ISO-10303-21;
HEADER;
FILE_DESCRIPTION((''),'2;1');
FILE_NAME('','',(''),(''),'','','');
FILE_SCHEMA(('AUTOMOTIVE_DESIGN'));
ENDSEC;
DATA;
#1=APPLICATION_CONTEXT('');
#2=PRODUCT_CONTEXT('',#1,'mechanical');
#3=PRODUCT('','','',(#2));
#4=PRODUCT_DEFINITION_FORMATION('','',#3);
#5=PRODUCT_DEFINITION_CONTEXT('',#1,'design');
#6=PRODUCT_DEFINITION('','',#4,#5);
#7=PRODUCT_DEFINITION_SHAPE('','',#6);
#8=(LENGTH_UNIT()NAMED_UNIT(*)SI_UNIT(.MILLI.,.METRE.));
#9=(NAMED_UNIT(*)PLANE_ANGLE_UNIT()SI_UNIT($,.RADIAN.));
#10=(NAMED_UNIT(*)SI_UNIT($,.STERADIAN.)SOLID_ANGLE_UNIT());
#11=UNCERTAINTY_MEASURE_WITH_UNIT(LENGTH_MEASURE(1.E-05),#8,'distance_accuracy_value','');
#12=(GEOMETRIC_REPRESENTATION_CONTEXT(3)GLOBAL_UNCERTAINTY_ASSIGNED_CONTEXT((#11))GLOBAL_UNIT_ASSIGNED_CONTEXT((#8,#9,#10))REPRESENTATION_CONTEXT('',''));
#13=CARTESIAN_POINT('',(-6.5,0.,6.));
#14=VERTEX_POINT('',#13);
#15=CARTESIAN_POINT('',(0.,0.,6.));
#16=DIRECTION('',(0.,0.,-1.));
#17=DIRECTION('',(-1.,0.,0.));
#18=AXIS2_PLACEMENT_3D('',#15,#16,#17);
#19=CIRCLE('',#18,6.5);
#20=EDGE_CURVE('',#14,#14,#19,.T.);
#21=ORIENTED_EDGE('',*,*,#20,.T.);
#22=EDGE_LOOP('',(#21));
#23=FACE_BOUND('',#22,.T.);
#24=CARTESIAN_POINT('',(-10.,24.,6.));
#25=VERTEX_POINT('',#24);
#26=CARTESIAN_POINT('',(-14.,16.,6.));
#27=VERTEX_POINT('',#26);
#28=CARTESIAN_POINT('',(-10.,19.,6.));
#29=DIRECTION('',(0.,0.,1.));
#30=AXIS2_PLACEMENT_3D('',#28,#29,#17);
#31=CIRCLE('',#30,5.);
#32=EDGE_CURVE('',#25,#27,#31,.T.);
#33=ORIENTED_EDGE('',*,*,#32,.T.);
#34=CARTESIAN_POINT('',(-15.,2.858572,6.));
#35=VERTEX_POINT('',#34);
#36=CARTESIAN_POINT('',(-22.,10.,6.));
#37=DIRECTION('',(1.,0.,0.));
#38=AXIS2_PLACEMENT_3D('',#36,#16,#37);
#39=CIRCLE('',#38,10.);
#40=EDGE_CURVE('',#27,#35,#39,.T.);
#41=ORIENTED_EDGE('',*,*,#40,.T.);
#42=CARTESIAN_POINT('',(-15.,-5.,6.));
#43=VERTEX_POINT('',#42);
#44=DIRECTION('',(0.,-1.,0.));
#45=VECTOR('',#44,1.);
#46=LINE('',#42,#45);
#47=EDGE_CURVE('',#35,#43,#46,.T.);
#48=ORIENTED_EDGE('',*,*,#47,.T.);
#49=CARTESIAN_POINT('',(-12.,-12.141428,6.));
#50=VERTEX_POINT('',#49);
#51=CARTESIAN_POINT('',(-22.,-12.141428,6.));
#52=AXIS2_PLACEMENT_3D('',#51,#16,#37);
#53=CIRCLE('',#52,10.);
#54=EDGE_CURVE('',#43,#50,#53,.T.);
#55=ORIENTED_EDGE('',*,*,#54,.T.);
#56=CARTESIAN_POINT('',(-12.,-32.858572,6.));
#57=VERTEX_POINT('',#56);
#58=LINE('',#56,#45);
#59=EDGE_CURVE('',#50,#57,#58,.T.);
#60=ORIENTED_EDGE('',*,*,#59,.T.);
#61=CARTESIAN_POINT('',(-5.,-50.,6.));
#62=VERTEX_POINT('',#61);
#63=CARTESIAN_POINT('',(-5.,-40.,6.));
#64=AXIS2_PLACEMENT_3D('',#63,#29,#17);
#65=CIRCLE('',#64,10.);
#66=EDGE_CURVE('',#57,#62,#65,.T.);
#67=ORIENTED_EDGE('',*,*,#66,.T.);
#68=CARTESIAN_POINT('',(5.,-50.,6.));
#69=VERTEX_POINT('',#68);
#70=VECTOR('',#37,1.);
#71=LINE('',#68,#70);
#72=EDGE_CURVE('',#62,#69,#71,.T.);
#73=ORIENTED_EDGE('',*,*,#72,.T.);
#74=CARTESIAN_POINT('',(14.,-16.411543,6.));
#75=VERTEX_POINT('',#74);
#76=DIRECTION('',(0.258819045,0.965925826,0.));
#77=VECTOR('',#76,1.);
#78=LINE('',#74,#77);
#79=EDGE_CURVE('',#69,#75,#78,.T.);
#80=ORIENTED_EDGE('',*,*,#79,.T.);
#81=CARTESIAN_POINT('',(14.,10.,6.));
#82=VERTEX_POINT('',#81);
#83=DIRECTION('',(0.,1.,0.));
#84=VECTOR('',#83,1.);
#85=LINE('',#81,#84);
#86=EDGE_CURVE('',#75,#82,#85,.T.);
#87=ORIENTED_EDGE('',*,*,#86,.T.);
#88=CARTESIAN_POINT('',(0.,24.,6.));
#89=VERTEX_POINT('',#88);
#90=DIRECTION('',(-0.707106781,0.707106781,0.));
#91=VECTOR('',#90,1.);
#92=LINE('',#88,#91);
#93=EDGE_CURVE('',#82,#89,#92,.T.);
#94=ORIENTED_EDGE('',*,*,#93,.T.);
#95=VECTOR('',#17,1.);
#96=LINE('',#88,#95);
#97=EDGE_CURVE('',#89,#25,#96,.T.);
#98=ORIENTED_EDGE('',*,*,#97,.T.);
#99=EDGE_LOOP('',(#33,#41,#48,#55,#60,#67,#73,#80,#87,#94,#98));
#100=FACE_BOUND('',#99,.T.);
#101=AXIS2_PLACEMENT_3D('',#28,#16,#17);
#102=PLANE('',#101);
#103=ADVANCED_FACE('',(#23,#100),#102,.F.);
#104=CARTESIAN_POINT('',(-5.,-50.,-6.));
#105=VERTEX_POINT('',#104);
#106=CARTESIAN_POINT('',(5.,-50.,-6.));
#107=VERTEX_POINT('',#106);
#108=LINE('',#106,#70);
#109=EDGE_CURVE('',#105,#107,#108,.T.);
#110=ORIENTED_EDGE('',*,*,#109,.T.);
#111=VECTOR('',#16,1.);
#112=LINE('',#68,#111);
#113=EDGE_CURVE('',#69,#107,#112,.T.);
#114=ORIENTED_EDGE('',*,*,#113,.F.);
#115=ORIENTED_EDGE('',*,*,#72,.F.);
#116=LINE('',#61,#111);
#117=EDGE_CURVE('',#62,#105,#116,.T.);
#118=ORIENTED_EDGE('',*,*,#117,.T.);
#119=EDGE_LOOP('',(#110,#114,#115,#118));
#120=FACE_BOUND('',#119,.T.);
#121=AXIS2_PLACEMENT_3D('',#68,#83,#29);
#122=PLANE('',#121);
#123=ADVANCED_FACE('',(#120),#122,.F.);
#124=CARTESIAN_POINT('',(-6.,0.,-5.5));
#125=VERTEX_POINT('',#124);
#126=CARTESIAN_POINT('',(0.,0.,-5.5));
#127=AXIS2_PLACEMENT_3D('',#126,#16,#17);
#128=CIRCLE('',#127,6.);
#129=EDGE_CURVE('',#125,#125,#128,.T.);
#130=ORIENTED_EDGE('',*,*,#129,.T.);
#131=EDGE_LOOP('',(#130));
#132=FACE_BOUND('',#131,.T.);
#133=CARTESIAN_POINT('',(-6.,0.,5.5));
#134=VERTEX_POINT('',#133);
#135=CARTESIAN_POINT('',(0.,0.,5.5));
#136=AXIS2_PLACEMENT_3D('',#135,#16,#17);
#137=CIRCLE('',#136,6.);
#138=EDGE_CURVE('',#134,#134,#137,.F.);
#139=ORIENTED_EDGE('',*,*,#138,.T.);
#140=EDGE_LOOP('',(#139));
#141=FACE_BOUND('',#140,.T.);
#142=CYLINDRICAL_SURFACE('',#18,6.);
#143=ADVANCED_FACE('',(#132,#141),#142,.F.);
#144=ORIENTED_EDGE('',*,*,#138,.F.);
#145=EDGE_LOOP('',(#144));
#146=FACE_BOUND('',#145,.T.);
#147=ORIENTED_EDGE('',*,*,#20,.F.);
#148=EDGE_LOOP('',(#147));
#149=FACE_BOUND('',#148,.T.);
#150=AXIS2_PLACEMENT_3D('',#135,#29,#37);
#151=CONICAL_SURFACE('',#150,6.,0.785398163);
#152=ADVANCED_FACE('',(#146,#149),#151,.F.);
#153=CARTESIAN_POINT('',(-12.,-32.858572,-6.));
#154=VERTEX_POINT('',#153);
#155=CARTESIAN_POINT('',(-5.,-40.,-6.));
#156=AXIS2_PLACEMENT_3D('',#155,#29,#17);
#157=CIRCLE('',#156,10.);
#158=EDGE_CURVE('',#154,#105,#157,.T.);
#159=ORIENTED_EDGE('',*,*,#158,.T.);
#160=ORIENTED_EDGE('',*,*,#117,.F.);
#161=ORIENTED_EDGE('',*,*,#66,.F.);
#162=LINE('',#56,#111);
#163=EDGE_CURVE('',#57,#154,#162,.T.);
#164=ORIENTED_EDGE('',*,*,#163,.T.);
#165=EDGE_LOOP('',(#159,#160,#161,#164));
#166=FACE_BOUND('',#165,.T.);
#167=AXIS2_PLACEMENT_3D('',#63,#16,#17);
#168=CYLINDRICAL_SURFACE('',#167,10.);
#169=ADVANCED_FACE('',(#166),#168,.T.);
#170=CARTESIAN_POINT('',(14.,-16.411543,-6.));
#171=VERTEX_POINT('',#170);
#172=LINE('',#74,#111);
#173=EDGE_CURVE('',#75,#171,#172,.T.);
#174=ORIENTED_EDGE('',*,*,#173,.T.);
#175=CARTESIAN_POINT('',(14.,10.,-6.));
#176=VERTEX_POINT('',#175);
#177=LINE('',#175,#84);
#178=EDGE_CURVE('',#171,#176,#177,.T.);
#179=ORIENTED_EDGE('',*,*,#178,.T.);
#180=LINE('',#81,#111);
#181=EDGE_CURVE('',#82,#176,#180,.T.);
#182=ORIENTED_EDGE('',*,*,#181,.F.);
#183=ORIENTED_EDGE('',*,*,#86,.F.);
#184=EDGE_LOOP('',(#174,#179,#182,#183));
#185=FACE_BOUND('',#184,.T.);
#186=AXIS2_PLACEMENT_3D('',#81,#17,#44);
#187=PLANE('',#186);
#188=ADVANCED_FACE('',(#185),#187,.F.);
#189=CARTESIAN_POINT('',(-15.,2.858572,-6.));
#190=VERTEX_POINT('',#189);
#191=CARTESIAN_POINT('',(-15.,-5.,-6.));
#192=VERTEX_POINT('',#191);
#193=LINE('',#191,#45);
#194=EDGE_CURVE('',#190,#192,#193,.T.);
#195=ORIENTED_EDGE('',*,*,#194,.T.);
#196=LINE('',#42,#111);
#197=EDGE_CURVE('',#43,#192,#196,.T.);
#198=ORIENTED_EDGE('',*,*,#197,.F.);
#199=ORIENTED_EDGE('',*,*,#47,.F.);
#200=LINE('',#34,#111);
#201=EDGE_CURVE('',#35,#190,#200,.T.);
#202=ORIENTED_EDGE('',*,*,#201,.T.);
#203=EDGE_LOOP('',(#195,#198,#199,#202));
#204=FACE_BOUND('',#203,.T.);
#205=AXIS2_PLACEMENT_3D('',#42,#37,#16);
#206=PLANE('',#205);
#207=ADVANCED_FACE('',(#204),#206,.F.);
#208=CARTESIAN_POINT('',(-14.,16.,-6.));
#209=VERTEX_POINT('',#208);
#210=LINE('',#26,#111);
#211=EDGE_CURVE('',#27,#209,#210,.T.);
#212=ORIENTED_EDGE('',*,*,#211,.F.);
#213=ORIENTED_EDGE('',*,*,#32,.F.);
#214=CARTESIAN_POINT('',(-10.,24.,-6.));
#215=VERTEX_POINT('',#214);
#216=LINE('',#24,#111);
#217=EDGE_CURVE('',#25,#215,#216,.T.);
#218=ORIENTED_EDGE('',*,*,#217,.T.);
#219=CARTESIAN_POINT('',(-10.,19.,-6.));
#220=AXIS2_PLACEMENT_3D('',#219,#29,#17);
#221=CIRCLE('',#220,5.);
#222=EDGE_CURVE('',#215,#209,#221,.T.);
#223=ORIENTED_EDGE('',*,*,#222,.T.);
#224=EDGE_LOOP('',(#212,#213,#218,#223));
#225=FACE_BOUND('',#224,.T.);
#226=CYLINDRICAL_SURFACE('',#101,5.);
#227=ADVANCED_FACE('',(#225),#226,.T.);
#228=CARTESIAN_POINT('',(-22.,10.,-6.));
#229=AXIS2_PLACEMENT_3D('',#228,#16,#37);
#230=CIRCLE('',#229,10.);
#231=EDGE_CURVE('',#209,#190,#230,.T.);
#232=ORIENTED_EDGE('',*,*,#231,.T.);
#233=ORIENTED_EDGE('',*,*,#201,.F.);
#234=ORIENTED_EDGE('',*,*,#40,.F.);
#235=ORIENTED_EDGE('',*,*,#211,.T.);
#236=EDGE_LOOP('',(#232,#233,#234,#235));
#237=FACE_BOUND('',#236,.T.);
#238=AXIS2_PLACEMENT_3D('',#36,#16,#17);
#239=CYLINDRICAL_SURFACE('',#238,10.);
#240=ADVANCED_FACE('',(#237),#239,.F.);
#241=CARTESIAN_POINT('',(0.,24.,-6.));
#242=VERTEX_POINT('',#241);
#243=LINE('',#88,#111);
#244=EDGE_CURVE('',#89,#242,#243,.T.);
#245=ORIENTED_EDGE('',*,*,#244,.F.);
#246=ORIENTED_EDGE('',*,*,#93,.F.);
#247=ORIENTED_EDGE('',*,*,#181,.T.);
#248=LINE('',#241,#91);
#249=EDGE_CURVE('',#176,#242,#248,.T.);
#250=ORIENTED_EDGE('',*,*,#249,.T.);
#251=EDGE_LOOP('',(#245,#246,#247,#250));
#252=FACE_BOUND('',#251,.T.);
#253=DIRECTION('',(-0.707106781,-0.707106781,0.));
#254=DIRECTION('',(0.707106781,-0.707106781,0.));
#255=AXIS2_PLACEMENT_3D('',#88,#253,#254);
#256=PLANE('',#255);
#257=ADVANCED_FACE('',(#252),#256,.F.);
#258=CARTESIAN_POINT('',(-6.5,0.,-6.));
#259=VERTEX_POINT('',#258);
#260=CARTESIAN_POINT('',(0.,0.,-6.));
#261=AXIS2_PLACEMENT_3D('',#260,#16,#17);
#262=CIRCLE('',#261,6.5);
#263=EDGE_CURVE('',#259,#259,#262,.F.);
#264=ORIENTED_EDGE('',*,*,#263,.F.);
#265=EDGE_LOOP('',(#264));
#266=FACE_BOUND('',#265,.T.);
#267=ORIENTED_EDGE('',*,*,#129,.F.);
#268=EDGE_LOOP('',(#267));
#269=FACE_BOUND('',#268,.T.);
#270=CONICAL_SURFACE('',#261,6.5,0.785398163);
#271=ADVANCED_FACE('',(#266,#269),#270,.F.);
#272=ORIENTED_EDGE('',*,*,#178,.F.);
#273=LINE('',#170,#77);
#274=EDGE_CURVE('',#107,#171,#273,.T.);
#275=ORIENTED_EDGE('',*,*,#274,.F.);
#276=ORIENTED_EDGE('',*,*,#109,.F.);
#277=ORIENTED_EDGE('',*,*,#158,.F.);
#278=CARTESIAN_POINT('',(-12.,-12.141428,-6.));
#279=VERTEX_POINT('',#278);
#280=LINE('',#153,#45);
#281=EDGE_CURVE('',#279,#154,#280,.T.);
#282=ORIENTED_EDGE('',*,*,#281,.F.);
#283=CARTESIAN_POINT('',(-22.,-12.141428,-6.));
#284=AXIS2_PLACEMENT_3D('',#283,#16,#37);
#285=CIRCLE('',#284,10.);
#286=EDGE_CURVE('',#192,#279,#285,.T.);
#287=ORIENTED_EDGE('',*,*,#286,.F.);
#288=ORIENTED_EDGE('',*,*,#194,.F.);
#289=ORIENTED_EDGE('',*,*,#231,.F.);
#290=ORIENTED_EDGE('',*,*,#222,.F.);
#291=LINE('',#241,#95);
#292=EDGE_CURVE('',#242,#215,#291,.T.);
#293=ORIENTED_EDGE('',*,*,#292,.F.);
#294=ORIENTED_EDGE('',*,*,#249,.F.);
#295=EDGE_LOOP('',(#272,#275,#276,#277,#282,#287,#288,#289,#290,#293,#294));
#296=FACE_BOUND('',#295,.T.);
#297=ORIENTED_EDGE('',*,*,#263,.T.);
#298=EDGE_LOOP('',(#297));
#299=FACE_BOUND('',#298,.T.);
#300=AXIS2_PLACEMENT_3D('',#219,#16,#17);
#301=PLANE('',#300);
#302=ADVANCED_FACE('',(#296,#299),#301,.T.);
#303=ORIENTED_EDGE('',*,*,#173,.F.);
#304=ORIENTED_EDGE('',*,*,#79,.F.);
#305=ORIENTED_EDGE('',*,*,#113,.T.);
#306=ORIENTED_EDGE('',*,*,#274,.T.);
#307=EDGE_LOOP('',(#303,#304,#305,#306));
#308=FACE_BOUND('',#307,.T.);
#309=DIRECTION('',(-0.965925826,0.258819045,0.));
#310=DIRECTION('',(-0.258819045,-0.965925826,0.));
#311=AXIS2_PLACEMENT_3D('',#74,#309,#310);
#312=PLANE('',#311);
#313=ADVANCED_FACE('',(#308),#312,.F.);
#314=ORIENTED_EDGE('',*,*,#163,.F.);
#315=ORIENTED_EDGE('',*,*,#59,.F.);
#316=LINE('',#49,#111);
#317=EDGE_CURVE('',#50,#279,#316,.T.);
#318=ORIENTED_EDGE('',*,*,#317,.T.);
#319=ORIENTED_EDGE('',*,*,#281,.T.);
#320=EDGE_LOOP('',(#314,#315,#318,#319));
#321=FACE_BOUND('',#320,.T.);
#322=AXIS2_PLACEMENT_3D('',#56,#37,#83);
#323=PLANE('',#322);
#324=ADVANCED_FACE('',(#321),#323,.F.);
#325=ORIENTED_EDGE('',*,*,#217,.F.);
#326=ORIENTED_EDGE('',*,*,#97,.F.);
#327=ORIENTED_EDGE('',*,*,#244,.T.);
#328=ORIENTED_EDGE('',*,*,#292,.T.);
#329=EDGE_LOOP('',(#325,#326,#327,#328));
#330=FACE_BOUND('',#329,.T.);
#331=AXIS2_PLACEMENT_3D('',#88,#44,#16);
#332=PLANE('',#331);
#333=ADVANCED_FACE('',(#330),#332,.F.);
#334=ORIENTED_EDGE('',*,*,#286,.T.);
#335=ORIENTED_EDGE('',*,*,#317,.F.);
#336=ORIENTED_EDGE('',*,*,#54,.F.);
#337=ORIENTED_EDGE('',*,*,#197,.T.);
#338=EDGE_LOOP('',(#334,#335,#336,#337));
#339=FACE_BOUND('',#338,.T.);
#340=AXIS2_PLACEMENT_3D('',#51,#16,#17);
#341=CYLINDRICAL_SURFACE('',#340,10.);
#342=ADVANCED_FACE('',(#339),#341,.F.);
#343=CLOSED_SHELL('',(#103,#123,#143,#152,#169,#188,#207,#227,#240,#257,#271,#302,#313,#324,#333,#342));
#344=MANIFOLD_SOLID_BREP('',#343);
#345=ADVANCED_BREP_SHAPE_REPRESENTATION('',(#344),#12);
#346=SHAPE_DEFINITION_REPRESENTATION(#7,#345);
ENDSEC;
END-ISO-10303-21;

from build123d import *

# Parameters (mm, degrees)
SKETCH_1_R      = 6
EXTRUDE_1_DEPTH = 6
CHAMFER_1_SIZE  = 0.5


with BuildPart() as part:
    # Эскиз1 → Бобышка-Вытянуть1 (new, symmetric)
    with BuildSketch(Plane.XY):
        with BuildLine():
            Line((0, 24), (14, 10))
            Line((14, 10), (14, -16.411542732))
            Line((14, -16.411542732), (5, -50))
            Line((5, -50), (-5, -50))
            ThreePointArc((-5, -50), (-14.257815193, -43.780589618), (-12, -32.858571571))
            Line((-12, -32.858571571), (-12, -12.141428429))
            ThreePointArc((-12, -12.141428429), (-12.780455543, -8.268445082), (-15, -5))
            Line((-15, -5), (-15, 2.858571571))
            ThreePointArc((-15, 2.858571571), (-12.028827286, 9.241241333), (-14, 16))
            ThreePointArc((-14, 16), (-14.472135955, 21.236067977), (-10, 24))
            Line((-10, 24), (0, 24))
        make_face()
        Circle(SKETCH_1_R, mode=Mode.SUBTRACT)
    extrude(amount=EXTRUDE_1_DEPTH, both=True)

    # Фаска1
    chamfer_1_edges = [part.edges().sort_by_distance(p)[0] for p in [
        (-6, 0, -6),
        (-6, 0, 6),
    ]]
    chamfer(chamfer_1_edges, length=CHAMFER_1_SIZE)


solid = part.part
